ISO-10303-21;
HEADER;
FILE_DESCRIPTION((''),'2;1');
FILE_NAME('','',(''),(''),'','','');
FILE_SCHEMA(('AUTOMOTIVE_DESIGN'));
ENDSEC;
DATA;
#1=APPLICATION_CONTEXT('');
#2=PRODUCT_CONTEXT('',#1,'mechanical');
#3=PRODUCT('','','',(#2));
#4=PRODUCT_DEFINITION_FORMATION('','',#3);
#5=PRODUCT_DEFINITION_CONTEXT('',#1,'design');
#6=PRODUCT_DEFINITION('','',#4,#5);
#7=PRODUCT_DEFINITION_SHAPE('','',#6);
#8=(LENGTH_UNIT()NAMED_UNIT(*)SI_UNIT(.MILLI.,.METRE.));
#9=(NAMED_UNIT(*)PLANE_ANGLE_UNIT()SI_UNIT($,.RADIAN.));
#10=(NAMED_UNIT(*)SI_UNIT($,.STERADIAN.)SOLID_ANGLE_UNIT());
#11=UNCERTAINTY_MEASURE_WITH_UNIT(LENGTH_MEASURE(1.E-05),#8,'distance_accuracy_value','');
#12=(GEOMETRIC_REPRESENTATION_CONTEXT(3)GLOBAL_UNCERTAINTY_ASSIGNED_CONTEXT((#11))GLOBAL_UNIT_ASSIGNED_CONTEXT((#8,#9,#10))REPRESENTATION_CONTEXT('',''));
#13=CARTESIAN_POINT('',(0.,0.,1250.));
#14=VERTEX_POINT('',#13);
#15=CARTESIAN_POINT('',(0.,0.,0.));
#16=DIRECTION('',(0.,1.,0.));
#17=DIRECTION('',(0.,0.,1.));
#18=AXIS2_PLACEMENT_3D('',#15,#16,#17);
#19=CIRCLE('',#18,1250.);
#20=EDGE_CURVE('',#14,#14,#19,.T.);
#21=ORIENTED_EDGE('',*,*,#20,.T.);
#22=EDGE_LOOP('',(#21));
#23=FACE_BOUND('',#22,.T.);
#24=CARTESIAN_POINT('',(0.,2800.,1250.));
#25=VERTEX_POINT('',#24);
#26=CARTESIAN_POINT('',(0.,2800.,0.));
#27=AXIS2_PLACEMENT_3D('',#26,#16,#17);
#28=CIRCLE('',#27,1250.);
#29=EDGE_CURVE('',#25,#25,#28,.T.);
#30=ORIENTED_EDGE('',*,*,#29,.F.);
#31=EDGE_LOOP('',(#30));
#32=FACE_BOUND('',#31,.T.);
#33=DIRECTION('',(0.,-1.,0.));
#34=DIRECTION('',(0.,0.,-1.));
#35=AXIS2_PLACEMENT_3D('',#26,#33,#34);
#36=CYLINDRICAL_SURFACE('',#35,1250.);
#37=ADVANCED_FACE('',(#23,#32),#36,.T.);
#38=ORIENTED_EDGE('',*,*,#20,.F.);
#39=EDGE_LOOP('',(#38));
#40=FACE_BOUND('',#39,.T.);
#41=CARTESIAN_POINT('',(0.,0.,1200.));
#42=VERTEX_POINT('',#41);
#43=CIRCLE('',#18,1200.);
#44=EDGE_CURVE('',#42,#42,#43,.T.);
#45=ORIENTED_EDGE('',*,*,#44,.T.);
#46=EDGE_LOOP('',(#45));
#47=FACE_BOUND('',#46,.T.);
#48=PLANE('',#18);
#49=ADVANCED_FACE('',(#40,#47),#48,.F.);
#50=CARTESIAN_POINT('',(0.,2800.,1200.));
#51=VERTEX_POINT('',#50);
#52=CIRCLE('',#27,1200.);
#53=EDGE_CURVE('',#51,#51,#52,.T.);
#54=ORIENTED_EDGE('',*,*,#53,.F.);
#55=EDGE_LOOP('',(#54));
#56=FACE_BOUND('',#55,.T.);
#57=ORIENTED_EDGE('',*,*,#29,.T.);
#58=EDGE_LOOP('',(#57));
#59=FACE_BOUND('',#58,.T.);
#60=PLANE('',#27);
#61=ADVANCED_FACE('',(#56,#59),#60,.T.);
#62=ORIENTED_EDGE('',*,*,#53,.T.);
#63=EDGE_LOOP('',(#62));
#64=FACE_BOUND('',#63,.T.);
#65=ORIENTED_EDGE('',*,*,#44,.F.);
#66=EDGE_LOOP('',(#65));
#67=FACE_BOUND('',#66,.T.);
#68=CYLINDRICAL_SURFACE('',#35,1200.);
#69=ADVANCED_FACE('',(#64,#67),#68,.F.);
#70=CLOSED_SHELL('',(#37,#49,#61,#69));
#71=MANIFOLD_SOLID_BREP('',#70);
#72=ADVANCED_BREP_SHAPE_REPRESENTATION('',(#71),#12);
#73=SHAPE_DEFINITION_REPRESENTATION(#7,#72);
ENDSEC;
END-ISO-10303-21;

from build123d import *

# Parameters (mm, degrees)
SKETCH1_R           = 1250
SKETCH1_R_2         = 1200
BOSS_EXTRUDE1_DEPTH = 2800.000000116


with BuildPart() as part:
    # Sketch1 → Boss-Extrude1 (new body)
    with BuildSketch(Plane(origin=(0, 0, 0), x_dir=(1, 0, 0), z_dir=(0, 1, 0))):
        Circle(SKETCH1_R)
        Circle(SKETCH1_R_2, mode=Mode.SUBTRACT)
    extrude(amount=BOSS_EXTRUDE1_DEPTH)


solid = part.part
